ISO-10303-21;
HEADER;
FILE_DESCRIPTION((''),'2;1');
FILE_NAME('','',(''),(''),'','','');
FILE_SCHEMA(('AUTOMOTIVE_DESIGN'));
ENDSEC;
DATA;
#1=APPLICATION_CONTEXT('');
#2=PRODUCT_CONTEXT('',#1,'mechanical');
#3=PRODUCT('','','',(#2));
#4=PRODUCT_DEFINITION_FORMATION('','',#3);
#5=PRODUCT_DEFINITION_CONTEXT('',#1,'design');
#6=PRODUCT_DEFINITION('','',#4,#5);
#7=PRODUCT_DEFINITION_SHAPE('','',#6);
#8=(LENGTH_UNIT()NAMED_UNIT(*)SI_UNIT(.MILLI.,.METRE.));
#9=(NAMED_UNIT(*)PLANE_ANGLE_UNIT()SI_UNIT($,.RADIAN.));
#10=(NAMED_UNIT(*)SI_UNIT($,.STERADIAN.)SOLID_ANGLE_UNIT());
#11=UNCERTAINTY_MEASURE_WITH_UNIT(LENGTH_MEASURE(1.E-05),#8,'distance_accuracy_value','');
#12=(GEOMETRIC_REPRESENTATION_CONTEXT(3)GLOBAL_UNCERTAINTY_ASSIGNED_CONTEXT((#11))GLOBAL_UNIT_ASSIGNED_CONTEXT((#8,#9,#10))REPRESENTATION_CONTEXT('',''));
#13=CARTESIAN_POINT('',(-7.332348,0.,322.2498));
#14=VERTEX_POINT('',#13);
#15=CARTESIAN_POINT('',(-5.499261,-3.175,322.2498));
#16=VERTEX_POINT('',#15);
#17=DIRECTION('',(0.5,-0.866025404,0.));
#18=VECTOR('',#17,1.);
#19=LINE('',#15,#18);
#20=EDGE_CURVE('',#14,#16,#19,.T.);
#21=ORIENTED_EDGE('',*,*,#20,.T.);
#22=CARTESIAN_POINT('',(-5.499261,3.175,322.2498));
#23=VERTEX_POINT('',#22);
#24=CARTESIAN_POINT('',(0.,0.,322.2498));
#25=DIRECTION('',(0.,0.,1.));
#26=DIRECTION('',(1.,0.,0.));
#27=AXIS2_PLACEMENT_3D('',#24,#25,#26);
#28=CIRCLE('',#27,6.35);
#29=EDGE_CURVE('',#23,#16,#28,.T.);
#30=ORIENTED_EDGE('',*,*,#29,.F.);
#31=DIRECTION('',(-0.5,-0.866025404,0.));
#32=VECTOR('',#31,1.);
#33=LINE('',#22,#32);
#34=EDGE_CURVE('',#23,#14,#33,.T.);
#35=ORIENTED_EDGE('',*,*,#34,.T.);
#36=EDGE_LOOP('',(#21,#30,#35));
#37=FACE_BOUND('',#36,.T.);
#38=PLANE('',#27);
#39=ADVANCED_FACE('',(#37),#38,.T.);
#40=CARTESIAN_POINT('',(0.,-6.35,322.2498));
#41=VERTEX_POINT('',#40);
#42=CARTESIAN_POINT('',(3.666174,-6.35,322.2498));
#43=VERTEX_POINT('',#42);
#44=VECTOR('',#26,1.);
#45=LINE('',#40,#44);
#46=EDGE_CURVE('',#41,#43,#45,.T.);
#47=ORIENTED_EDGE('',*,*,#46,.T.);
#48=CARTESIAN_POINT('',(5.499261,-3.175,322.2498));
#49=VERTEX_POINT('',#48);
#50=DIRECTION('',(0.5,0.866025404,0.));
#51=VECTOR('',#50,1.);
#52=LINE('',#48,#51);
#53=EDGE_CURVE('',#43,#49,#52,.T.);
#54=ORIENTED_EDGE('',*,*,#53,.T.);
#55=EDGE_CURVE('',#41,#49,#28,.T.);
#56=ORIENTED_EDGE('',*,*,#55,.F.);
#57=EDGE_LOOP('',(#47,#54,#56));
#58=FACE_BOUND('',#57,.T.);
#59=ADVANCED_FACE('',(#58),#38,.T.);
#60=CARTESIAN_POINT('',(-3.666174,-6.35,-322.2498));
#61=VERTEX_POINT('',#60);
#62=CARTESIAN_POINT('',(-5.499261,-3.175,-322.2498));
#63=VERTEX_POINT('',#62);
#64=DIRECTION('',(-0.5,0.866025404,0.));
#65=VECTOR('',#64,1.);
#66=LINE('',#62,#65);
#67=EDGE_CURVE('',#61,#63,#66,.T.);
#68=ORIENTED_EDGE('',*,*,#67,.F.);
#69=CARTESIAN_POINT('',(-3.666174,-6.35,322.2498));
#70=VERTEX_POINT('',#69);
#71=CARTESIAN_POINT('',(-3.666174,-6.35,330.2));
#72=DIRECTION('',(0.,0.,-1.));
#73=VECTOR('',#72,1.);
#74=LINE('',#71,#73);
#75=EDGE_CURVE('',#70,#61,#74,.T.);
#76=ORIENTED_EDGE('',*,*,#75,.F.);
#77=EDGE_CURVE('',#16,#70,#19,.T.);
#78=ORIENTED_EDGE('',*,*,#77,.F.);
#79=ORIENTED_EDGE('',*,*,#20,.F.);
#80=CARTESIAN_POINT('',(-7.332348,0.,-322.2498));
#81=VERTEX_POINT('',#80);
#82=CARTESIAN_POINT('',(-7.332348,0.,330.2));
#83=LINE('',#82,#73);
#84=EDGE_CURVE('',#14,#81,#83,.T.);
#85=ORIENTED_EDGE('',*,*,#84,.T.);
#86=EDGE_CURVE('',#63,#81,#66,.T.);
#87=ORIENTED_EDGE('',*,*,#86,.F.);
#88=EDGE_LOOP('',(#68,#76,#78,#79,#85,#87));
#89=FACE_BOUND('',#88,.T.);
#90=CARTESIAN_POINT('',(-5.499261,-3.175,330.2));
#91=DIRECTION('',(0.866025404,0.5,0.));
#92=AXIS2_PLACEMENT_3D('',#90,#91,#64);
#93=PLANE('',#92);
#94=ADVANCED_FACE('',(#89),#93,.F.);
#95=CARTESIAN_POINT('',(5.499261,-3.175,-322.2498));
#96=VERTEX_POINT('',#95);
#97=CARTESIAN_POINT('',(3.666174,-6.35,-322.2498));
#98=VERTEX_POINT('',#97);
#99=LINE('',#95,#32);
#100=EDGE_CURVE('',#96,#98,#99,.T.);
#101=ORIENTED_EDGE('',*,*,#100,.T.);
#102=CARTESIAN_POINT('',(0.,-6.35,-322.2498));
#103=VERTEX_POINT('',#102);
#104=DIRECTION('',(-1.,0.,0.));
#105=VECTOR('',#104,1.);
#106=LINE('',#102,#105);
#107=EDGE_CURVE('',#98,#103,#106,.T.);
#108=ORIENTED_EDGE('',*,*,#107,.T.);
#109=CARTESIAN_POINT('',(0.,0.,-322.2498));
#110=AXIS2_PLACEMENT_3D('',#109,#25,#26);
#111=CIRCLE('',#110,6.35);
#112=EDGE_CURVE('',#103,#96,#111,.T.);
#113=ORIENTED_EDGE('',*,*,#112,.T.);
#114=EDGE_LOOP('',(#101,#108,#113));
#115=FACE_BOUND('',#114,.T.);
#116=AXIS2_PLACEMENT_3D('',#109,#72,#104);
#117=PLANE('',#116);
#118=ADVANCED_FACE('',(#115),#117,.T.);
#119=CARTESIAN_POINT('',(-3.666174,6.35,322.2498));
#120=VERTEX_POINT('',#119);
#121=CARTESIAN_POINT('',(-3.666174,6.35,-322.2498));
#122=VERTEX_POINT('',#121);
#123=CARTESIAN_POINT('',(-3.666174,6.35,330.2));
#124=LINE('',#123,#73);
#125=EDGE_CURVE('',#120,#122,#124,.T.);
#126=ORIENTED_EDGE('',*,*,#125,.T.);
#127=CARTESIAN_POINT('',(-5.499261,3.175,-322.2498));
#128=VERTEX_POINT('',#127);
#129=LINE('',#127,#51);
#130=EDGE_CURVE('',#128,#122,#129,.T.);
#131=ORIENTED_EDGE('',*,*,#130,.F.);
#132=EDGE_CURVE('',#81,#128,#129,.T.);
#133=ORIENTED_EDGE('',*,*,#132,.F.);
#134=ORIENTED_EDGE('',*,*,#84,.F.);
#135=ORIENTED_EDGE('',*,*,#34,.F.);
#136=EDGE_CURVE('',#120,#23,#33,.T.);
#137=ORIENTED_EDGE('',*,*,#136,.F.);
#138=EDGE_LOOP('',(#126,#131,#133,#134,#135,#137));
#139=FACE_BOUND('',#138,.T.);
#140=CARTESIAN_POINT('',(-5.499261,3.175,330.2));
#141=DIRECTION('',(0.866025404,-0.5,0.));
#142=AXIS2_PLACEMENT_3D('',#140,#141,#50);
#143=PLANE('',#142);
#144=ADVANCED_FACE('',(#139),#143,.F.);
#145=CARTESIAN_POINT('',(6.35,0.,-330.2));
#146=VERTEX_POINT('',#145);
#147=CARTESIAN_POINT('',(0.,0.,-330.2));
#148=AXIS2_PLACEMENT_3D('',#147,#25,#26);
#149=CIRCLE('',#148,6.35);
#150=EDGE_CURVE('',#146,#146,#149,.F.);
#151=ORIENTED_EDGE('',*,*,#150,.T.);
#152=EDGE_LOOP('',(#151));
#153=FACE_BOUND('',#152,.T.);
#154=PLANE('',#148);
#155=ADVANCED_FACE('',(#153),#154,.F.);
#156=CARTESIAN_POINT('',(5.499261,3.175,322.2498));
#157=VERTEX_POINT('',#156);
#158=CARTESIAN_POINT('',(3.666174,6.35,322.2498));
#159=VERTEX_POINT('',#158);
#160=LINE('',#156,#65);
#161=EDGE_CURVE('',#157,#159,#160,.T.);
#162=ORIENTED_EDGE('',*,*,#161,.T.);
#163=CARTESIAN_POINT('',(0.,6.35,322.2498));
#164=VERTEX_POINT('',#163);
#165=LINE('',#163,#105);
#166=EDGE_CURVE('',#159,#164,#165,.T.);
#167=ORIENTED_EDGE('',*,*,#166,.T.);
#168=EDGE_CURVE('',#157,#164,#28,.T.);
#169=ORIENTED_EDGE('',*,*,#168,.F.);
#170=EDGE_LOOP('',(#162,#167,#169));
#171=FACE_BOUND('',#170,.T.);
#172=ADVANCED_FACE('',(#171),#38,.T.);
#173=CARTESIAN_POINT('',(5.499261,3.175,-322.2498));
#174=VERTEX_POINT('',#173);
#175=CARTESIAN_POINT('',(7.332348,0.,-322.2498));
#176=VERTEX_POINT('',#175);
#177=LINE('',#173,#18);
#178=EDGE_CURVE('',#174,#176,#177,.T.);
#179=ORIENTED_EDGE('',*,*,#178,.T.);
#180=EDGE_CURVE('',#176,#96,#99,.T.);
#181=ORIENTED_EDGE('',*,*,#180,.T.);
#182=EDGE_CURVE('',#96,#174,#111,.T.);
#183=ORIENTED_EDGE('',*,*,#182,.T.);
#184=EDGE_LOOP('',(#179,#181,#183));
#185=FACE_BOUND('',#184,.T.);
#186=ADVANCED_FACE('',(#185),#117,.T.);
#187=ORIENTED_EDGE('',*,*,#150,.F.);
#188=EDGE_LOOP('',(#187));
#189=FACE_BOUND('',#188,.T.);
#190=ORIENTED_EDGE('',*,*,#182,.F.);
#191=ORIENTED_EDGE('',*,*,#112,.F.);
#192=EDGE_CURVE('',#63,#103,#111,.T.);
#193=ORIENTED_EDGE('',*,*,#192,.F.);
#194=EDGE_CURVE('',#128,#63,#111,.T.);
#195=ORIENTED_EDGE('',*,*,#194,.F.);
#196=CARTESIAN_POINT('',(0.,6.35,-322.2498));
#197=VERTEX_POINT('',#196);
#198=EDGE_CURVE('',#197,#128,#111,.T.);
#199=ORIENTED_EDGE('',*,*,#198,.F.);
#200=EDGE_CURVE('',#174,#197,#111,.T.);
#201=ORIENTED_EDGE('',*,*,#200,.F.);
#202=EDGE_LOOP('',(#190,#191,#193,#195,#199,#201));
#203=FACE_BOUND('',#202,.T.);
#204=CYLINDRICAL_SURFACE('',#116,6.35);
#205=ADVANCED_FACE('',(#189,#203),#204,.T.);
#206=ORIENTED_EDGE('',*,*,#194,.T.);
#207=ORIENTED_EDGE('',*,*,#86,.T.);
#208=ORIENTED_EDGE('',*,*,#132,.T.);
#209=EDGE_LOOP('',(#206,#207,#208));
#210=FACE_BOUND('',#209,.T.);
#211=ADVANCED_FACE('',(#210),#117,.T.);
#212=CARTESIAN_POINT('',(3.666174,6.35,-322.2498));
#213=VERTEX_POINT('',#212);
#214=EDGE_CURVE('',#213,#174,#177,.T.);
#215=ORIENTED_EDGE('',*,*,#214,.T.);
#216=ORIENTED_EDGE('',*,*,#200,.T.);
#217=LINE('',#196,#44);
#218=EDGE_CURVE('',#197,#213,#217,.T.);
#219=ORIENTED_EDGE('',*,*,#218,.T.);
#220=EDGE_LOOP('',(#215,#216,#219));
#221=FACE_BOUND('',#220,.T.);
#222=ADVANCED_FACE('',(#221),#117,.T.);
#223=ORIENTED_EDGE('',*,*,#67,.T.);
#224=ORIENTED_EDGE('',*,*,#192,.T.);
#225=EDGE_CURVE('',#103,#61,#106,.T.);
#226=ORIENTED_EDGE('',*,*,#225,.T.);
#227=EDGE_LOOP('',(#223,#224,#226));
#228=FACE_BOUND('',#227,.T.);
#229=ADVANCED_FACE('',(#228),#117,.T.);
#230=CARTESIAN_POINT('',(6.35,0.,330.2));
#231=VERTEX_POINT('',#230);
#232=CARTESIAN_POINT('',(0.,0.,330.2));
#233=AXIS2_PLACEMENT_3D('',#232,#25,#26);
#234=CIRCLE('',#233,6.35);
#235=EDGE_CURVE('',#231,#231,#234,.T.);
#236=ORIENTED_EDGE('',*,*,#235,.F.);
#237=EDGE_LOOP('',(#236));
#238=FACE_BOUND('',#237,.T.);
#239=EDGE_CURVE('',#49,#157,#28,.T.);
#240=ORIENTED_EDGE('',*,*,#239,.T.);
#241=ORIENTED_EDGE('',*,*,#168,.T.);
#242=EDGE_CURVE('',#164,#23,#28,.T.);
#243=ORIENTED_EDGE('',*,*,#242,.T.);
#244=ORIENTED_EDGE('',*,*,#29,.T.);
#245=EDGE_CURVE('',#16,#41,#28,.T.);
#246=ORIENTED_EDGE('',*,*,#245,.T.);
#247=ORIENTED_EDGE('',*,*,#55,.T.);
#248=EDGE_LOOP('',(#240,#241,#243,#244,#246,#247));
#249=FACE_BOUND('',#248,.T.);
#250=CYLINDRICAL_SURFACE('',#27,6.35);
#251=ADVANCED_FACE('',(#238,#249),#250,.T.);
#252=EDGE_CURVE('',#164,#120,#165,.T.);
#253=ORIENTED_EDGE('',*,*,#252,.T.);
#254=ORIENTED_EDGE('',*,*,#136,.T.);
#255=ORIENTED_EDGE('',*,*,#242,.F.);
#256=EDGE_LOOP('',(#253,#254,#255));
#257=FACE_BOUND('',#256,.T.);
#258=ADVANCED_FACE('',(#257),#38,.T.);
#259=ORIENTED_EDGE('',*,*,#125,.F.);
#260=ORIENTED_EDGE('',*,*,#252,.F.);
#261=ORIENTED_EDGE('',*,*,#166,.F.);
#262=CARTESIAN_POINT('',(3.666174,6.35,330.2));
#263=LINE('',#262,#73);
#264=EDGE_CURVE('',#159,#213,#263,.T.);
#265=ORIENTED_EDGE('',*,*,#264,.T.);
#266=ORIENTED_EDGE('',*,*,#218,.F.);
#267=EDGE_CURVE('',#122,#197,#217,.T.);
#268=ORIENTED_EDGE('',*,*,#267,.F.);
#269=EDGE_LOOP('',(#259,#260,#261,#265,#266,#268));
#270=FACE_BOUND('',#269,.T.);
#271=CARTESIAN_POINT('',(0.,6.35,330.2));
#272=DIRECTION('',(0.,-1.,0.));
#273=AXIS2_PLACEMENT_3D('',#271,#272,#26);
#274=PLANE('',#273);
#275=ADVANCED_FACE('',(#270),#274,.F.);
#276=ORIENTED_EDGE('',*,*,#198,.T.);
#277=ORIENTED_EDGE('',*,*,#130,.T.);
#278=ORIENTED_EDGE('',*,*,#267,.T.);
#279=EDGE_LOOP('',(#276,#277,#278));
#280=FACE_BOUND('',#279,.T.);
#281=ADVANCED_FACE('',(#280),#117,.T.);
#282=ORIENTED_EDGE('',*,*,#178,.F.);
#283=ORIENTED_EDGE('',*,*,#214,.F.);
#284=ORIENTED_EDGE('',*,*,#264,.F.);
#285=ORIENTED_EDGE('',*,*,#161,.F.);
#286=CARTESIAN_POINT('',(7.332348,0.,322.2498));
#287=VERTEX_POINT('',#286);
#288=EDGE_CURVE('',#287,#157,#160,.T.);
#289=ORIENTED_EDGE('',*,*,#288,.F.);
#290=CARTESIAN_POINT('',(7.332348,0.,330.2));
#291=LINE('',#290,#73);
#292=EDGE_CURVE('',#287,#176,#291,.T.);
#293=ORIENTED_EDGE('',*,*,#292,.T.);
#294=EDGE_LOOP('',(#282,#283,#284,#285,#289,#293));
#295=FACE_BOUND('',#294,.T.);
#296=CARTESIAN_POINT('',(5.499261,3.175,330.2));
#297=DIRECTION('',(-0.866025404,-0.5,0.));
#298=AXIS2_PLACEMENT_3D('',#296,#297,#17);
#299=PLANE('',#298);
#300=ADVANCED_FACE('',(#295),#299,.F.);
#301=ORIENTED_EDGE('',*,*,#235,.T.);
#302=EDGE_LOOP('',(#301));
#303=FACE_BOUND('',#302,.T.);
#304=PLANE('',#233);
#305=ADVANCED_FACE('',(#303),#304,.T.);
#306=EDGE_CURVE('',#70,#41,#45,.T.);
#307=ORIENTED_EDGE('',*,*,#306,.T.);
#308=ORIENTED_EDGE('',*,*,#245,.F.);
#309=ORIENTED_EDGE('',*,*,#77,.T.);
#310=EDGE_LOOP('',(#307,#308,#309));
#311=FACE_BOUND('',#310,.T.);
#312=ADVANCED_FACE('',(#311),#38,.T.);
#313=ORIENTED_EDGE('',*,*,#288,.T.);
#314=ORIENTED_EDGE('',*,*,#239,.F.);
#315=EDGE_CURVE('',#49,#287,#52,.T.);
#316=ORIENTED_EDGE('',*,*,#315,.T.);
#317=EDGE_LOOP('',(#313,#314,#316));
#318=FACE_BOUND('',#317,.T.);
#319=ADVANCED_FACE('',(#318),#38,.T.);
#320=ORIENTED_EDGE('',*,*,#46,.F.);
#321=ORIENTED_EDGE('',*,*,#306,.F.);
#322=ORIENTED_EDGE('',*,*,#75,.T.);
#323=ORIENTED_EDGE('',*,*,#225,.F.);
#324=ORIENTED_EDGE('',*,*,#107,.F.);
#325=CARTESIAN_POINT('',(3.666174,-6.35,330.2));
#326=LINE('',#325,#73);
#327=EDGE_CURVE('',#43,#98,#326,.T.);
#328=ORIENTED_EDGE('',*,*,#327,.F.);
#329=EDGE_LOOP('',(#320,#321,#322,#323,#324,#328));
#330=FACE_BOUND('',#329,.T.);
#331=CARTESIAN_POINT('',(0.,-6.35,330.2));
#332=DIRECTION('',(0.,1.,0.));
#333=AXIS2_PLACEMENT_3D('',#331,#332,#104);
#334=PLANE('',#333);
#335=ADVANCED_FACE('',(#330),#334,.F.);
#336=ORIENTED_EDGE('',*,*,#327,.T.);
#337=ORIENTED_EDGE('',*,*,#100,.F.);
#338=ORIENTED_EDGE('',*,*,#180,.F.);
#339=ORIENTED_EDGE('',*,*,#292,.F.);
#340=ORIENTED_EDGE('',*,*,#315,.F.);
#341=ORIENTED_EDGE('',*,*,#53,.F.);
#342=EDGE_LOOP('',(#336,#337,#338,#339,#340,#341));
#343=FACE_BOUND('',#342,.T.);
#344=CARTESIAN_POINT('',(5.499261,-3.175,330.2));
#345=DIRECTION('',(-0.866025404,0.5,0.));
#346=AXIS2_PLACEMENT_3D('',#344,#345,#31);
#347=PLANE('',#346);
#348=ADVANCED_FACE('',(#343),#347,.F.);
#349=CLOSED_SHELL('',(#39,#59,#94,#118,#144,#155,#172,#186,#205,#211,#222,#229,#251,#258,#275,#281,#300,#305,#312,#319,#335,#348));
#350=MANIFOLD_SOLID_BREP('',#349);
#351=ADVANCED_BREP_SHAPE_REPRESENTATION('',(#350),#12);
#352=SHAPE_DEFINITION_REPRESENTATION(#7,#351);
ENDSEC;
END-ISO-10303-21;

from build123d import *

# Parameters (mm, degrees)
BOSS_EXTRUDE1_DEPTH = 330.2
SKETCH4_OUTSIDE_W   = 148.8
SKETCH4_OUTSIDE_H   = 146.836
SKETCH4_OUTSIDE_R   = 6.35
CUT_EXTRUDE2_DEPTH  = 7.9502


with BuildPart() as part:
    # Sketch1 → Boss-Extrude1 (new, symmetric)
    with BuildSketch(Plane.XY):
        Polygon((7.332348419, 0), (3.666174209, 6.35), (-3.666174209, 6.35), (-7.332348419, 0), (-3.666174209, -6.35), (3.666174209, -6.35), align=None)
    extrude(amount=BOSS_EXTRUDE1_DEPTH, both=True)

    # Sketch4 outside → Cut-Extrude2 (cut)
    with BuildSketch(Plane.XY.offset(330.2)):
        Rectangle(SKETCH4_OUTSIDE_W, SKETCH4_OUTSIDE_H)
        Circle(SKETCH4_OUTSIDE_R, mode=Mode.SUBTRACT)
    cut_extrude2 = extrude(amount=-CUT_EXTRUDE2_DEPTH, mode=Mode.SUBTRACT)

    # Mirror1: Cut-Extrude2 across plane
    add(cut_extrude2.mirror(Plane.XY), mode=Mode.SUBTRACT)


solid = part.part
